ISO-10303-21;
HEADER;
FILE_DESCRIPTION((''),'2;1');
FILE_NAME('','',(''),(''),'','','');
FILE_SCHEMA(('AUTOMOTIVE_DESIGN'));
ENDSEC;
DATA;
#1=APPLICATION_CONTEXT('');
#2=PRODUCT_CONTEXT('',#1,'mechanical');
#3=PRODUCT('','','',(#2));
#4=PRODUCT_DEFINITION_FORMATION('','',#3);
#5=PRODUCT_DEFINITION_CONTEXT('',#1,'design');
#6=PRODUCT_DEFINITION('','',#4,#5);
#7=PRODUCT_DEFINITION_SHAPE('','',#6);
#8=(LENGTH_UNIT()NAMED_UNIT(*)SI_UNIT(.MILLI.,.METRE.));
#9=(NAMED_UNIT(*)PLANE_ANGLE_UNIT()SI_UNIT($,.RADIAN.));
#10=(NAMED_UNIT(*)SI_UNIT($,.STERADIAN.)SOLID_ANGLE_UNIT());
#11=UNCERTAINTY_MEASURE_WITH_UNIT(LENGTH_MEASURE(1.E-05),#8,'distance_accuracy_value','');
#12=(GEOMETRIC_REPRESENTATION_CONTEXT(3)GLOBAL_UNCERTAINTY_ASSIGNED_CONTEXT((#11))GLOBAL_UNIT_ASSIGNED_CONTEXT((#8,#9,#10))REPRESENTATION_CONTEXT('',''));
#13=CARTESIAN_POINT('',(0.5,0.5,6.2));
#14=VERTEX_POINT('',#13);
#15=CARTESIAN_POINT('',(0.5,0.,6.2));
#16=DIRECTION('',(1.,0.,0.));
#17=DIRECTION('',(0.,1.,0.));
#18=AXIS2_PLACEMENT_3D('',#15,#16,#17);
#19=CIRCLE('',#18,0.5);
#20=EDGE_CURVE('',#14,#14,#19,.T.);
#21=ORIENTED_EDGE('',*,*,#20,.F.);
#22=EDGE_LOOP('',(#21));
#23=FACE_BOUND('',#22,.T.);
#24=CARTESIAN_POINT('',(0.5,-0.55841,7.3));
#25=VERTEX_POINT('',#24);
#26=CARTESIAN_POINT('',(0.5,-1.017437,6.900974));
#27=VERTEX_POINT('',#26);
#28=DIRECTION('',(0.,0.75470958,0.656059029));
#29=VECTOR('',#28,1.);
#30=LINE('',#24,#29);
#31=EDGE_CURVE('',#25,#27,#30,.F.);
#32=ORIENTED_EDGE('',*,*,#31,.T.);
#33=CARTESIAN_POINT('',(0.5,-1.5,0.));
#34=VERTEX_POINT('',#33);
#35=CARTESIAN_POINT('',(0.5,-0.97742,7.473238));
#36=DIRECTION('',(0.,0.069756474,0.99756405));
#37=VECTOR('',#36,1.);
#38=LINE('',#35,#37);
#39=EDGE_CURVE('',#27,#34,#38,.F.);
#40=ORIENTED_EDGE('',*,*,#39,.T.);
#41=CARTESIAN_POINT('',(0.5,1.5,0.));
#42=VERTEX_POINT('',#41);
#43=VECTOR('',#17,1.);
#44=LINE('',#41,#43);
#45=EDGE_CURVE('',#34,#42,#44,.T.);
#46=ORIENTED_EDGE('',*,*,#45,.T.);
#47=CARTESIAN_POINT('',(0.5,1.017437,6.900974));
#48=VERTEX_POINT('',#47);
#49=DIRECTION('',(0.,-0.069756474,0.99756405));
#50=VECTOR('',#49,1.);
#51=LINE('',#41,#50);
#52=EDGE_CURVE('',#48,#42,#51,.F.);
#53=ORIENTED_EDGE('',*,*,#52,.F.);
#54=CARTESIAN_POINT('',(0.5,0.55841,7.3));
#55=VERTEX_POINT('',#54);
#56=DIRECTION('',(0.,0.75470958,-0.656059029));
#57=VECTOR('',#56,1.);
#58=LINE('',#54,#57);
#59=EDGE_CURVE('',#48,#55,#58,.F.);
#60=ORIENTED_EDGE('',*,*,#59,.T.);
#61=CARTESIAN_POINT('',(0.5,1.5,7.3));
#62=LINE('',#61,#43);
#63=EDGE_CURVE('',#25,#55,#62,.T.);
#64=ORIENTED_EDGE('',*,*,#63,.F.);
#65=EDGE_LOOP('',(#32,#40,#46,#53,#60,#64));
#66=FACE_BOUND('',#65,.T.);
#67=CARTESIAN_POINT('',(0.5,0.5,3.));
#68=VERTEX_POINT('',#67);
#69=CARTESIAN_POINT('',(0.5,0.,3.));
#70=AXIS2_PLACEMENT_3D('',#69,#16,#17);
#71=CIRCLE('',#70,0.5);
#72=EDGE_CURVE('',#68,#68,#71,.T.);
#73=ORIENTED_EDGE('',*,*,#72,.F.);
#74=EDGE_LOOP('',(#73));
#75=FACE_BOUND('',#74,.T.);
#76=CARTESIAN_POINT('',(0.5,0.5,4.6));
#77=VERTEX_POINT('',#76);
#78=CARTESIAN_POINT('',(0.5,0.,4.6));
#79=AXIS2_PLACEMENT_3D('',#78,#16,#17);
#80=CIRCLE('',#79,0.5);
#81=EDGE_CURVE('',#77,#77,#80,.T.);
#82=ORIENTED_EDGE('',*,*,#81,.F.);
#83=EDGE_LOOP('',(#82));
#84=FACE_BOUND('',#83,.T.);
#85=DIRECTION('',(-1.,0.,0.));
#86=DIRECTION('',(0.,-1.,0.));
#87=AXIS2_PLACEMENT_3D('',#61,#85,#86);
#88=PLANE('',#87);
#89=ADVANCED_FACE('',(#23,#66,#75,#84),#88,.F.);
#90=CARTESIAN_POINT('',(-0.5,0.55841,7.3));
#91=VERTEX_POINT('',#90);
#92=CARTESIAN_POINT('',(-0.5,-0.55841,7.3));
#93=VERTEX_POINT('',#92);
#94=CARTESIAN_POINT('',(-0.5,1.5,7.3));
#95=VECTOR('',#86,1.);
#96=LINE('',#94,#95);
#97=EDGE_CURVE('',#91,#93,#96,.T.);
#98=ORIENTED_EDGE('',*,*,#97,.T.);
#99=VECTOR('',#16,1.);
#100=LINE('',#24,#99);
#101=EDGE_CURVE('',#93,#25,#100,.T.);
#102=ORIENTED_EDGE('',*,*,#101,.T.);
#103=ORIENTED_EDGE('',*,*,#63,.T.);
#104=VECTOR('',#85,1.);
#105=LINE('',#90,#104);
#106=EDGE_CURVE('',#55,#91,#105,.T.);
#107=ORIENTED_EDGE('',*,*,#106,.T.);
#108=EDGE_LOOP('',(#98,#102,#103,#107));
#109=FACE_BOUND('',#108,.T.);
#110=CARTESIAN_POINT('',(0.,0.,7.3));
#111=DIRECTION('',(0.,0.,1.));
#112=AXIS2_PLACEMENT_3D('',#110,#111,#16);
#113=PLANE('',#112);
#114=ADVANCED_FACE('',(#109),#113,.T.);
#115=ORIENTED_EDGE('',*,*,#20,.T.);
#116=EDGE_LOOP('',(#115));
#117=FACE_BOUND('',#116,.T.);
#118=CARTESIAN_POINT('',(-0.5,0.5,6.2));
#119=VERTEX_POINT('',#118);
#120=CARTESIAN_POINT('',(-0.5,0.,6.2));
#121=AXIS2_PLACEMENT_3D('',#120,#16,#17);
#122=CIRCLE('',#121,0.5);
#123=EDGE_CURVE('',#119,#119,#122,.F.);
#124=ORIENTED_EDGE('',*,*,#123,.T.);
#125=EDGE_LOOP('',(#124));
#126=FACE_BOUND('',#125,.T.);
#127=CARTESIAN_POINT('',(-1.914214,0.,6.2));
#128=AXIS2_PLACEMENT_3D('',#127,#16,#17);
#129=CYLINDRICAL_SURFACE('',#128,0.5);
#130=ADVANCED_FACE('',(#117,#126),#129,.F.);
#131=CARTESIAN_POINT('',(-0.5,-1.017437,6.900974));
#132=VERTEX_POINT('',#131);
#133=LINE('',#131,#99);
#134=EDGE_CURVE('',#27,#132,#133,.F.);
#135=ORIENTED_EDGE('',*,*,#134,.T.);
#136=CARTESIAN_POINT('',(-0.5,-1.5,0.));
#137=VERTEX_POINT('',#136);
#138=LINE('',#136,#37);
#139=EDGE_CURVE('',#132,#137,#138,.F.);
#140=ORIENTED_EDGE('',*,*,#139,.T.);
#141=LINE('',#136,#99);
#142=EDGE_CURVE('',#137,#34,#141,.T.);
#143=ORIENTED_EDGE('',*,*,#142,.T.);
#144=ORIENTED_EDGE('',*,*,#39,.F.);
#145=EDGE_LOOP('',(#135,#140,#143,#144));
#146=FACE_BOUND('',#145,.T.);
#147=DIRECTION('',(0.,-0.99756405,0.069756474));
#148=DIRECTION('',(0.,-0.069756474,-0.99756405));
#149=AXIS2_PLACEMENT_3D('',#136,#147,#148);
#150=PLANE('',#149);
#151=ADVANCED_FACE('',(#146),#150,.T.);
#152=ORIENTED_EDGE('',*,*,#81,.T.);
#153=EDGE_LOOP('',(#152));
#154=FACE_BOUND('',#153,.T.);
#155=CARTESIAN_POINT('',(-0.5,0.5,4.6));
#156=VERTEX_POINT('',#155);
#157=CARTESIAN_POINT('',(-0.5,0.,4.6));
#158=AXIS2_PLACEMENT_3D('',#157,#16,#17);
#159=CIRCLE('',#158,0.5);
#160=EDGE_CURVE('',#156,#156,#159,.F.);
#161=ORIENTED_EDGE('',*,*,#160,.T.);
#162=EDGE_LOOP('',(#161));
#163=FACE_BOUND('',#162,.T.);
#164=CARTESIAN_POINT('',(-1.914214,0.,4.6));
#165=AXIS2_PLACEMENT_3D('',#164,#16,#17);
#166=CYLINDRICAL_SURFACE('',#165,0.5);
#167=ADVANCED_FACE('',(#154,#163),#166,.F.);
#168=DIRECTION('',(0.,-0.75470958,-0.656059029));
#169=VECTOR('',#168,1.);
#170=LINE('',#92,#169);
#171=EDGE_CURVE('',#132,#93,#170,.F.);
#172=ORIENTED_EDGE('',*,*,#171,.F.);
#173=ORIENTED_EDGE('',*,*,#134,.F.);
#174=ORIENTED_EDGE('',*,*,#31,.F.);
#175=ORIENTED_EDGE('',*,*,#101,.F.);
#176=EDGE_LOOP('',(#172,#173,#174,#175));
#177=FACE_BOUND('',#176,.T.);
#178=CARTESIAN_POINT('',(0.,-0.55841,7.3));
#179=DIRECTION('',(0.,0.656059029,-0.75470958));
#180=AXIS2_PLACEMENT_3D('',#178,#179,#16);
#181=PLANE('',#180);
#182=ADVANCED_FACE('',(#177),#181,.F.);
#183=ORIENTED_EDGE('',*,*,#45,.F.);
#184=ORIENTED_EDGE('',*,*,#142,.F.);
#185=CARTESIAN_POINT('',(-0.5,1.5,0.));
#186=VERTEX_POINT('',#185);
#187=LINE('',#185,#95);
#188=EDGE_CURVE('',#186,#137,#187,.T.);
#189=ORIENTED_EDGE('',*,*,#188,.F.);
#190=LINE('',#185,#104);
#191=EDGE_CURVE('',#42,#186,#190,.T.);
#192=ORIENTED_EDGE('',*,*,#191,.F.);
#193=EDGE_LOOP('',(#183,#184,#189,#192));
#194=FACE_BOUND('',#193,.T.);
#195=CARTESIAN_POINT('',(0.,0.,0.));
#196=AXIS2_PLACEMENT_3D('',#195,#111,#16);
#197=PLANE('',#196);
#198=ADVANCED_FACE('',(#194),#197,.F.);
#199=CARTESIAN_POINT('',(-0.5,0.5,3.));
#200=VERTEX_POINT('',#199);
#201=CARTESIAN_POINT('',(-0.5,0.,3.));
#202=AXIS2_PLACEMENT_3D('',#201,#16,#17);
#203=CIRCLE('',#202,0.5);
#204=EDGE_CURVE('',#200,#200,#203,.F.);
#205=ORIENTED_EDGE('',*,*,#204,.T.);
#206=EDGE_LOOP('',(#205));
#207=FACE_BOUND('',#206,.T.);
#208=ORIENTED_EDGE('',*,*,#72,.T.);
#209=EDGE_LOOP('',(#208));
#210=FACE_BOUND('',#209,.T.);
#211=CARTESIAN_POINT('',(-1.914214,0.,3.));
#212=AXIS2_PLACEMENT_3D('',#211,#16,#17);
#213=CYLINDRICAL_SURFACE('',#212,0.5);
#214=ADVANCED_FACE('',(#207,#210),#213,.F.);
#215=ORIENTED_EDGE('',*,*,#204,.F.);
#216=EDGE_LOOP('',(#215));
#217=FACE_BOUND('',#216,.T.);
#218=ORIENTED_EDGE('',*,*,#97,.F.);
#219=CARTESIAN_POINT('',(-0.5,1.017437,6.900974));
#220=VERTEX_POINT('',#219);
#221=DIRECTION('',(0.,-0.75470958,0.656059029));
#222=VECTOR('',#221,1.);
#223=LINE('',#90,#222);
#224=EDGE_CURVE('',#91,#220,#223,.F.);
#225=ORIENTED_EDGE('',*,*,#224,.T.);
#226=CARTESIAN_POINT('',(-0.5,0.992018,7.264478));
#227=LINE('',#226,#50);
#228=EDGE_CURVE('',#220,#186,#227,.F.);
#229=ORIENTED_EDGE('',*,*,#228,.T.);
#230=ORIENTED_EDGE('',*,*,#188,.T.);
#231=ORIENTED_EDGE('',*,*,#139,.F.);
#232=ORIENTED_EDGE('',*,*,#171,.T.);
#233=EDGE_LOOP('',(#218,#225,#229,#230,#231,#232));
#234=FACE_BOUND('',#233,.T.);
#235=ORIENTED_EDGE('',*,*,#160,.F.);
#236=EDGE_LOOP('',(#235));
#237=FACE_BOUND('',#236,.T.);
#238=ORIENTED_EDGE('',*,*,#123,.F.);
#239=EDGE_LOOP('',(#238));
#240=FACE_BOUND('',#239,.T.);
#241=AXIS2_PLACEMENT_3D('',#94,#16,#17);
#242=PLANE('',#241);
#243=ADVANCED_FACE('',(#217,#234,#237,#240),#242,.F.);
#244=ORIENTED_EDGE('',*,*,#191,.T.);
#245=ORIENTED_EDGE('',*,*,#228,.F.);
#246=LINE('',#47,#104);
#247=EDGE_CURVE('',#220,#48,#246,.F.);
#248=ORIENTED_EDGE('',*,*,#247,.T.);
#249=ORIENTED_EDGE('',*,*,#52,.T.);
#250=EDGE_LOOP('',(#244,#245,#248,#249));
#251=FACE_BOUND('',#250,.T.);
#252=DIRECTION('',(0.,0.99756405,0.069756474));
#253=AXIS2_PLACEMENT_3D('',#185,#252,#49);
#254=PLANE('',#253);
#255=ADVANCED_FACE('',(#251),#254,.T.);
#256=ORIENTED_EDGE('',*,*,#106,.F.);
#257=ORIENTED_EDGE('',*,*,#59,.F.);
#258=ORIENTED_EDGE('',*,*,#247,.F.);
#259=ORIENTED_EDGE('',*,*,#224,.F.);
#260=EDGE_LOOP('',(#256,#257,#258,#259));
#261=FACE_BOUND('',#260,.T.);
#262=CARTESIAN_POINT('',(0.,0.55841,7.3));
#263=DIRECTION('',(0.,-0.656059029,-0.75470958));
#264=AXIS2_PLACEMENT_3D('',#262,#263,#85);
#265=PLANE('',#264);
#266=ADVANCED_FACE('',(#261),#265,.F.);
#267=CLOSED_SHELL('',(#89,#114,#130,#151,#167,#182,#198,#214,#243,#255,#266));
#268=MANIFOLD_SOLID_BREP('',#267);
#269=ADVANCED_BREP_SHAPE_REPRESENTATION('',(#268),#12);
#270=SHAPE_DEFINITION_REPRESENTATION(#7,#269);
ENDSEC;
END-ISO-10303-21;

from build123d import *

# Parameters (mm, degrees)
ESBO_O1_W                = 1
ESBO_O1_H                = 3
RESSALTO_EXTRUS_O1_DEPTH = 7.3
INCLINA_O2_ANGLE         = -4
CHANFRO1_SIZE2           = 0.431123878
CHANFRO1_SIZE            = 0.4
CHANFRO1_EDGE_2_SIZE2    = 0.4
CHANFRO1_EDGE_2_SIZE     = 0.431123878
ESBO_O2_R                = 0.5
CORTE_EXTRUS_O1_DEPTH    = 1


with BuildPart() as part:
    # Esboço1 → Ressalto-extrusão1 (new body)
    with BuildSketch(Plane.XY):
        Rectangle(ESBO_O1_W, ESBO_O1_H)
    extrude(amount=RESSALTO_EXTRUS_O1_DEPTH)

    # Inclinação2
    inclina_o2_faces = [part.faces().sort_by_distance(p)[0] for p in [
        (0, 1.5, 3.65),
        (0, -1.5, 3.65),
    ]]
    draft(inclina_o2_faces, Plane(origin=(0, 0, 0), x_dir=(-1, 0, 0), z_dir=(0, 0, -1)), INCLINA_O2_ANGLE)

    # Chanfro1
    chanfro1_edges = [part.edges().sort_by_distance(p)[0] for p in [
        (0, -0.989534273, 7.3),
    ]]
    chamfer(chanfro1_edges, length=CHANFRO1_SIZE, length2=CHANFRO1_SIZE2)

    # Chanfro1 edge 2
    chanfro1_edge_2_edges = [part.edges().sort_by_distance(p)[0] for p in [
        (0, 0.989534273, 7.3),
    ]]
    chamfer(chanfro1_edge_2_edges, length=CHANFRO1_EDGE_2_SIZE, length2=CHANFRO1_EDGE_2_SIZE2)

    # Esboço2 → Corte-extrusão1 (cut)
    with BuildSketch(Plane(origin=(0.5, 0, 0), x_dir=(0, 0, -1), z_dir=(1, 0, 0))):
        with Locations((-6.2, 0)):
            Circle(ESBO_O2_R)
        with Locations((-4.6, 0)):
            Circle(ESBO_O2_R)
        with Locations((-3, 0)):
            Circle(ESBO_O2_R)
    extrude(amount=-CORTE_EXTRUS_O1_DEPTH, mode=Mode.SUBTRACT)


solid = part.part
